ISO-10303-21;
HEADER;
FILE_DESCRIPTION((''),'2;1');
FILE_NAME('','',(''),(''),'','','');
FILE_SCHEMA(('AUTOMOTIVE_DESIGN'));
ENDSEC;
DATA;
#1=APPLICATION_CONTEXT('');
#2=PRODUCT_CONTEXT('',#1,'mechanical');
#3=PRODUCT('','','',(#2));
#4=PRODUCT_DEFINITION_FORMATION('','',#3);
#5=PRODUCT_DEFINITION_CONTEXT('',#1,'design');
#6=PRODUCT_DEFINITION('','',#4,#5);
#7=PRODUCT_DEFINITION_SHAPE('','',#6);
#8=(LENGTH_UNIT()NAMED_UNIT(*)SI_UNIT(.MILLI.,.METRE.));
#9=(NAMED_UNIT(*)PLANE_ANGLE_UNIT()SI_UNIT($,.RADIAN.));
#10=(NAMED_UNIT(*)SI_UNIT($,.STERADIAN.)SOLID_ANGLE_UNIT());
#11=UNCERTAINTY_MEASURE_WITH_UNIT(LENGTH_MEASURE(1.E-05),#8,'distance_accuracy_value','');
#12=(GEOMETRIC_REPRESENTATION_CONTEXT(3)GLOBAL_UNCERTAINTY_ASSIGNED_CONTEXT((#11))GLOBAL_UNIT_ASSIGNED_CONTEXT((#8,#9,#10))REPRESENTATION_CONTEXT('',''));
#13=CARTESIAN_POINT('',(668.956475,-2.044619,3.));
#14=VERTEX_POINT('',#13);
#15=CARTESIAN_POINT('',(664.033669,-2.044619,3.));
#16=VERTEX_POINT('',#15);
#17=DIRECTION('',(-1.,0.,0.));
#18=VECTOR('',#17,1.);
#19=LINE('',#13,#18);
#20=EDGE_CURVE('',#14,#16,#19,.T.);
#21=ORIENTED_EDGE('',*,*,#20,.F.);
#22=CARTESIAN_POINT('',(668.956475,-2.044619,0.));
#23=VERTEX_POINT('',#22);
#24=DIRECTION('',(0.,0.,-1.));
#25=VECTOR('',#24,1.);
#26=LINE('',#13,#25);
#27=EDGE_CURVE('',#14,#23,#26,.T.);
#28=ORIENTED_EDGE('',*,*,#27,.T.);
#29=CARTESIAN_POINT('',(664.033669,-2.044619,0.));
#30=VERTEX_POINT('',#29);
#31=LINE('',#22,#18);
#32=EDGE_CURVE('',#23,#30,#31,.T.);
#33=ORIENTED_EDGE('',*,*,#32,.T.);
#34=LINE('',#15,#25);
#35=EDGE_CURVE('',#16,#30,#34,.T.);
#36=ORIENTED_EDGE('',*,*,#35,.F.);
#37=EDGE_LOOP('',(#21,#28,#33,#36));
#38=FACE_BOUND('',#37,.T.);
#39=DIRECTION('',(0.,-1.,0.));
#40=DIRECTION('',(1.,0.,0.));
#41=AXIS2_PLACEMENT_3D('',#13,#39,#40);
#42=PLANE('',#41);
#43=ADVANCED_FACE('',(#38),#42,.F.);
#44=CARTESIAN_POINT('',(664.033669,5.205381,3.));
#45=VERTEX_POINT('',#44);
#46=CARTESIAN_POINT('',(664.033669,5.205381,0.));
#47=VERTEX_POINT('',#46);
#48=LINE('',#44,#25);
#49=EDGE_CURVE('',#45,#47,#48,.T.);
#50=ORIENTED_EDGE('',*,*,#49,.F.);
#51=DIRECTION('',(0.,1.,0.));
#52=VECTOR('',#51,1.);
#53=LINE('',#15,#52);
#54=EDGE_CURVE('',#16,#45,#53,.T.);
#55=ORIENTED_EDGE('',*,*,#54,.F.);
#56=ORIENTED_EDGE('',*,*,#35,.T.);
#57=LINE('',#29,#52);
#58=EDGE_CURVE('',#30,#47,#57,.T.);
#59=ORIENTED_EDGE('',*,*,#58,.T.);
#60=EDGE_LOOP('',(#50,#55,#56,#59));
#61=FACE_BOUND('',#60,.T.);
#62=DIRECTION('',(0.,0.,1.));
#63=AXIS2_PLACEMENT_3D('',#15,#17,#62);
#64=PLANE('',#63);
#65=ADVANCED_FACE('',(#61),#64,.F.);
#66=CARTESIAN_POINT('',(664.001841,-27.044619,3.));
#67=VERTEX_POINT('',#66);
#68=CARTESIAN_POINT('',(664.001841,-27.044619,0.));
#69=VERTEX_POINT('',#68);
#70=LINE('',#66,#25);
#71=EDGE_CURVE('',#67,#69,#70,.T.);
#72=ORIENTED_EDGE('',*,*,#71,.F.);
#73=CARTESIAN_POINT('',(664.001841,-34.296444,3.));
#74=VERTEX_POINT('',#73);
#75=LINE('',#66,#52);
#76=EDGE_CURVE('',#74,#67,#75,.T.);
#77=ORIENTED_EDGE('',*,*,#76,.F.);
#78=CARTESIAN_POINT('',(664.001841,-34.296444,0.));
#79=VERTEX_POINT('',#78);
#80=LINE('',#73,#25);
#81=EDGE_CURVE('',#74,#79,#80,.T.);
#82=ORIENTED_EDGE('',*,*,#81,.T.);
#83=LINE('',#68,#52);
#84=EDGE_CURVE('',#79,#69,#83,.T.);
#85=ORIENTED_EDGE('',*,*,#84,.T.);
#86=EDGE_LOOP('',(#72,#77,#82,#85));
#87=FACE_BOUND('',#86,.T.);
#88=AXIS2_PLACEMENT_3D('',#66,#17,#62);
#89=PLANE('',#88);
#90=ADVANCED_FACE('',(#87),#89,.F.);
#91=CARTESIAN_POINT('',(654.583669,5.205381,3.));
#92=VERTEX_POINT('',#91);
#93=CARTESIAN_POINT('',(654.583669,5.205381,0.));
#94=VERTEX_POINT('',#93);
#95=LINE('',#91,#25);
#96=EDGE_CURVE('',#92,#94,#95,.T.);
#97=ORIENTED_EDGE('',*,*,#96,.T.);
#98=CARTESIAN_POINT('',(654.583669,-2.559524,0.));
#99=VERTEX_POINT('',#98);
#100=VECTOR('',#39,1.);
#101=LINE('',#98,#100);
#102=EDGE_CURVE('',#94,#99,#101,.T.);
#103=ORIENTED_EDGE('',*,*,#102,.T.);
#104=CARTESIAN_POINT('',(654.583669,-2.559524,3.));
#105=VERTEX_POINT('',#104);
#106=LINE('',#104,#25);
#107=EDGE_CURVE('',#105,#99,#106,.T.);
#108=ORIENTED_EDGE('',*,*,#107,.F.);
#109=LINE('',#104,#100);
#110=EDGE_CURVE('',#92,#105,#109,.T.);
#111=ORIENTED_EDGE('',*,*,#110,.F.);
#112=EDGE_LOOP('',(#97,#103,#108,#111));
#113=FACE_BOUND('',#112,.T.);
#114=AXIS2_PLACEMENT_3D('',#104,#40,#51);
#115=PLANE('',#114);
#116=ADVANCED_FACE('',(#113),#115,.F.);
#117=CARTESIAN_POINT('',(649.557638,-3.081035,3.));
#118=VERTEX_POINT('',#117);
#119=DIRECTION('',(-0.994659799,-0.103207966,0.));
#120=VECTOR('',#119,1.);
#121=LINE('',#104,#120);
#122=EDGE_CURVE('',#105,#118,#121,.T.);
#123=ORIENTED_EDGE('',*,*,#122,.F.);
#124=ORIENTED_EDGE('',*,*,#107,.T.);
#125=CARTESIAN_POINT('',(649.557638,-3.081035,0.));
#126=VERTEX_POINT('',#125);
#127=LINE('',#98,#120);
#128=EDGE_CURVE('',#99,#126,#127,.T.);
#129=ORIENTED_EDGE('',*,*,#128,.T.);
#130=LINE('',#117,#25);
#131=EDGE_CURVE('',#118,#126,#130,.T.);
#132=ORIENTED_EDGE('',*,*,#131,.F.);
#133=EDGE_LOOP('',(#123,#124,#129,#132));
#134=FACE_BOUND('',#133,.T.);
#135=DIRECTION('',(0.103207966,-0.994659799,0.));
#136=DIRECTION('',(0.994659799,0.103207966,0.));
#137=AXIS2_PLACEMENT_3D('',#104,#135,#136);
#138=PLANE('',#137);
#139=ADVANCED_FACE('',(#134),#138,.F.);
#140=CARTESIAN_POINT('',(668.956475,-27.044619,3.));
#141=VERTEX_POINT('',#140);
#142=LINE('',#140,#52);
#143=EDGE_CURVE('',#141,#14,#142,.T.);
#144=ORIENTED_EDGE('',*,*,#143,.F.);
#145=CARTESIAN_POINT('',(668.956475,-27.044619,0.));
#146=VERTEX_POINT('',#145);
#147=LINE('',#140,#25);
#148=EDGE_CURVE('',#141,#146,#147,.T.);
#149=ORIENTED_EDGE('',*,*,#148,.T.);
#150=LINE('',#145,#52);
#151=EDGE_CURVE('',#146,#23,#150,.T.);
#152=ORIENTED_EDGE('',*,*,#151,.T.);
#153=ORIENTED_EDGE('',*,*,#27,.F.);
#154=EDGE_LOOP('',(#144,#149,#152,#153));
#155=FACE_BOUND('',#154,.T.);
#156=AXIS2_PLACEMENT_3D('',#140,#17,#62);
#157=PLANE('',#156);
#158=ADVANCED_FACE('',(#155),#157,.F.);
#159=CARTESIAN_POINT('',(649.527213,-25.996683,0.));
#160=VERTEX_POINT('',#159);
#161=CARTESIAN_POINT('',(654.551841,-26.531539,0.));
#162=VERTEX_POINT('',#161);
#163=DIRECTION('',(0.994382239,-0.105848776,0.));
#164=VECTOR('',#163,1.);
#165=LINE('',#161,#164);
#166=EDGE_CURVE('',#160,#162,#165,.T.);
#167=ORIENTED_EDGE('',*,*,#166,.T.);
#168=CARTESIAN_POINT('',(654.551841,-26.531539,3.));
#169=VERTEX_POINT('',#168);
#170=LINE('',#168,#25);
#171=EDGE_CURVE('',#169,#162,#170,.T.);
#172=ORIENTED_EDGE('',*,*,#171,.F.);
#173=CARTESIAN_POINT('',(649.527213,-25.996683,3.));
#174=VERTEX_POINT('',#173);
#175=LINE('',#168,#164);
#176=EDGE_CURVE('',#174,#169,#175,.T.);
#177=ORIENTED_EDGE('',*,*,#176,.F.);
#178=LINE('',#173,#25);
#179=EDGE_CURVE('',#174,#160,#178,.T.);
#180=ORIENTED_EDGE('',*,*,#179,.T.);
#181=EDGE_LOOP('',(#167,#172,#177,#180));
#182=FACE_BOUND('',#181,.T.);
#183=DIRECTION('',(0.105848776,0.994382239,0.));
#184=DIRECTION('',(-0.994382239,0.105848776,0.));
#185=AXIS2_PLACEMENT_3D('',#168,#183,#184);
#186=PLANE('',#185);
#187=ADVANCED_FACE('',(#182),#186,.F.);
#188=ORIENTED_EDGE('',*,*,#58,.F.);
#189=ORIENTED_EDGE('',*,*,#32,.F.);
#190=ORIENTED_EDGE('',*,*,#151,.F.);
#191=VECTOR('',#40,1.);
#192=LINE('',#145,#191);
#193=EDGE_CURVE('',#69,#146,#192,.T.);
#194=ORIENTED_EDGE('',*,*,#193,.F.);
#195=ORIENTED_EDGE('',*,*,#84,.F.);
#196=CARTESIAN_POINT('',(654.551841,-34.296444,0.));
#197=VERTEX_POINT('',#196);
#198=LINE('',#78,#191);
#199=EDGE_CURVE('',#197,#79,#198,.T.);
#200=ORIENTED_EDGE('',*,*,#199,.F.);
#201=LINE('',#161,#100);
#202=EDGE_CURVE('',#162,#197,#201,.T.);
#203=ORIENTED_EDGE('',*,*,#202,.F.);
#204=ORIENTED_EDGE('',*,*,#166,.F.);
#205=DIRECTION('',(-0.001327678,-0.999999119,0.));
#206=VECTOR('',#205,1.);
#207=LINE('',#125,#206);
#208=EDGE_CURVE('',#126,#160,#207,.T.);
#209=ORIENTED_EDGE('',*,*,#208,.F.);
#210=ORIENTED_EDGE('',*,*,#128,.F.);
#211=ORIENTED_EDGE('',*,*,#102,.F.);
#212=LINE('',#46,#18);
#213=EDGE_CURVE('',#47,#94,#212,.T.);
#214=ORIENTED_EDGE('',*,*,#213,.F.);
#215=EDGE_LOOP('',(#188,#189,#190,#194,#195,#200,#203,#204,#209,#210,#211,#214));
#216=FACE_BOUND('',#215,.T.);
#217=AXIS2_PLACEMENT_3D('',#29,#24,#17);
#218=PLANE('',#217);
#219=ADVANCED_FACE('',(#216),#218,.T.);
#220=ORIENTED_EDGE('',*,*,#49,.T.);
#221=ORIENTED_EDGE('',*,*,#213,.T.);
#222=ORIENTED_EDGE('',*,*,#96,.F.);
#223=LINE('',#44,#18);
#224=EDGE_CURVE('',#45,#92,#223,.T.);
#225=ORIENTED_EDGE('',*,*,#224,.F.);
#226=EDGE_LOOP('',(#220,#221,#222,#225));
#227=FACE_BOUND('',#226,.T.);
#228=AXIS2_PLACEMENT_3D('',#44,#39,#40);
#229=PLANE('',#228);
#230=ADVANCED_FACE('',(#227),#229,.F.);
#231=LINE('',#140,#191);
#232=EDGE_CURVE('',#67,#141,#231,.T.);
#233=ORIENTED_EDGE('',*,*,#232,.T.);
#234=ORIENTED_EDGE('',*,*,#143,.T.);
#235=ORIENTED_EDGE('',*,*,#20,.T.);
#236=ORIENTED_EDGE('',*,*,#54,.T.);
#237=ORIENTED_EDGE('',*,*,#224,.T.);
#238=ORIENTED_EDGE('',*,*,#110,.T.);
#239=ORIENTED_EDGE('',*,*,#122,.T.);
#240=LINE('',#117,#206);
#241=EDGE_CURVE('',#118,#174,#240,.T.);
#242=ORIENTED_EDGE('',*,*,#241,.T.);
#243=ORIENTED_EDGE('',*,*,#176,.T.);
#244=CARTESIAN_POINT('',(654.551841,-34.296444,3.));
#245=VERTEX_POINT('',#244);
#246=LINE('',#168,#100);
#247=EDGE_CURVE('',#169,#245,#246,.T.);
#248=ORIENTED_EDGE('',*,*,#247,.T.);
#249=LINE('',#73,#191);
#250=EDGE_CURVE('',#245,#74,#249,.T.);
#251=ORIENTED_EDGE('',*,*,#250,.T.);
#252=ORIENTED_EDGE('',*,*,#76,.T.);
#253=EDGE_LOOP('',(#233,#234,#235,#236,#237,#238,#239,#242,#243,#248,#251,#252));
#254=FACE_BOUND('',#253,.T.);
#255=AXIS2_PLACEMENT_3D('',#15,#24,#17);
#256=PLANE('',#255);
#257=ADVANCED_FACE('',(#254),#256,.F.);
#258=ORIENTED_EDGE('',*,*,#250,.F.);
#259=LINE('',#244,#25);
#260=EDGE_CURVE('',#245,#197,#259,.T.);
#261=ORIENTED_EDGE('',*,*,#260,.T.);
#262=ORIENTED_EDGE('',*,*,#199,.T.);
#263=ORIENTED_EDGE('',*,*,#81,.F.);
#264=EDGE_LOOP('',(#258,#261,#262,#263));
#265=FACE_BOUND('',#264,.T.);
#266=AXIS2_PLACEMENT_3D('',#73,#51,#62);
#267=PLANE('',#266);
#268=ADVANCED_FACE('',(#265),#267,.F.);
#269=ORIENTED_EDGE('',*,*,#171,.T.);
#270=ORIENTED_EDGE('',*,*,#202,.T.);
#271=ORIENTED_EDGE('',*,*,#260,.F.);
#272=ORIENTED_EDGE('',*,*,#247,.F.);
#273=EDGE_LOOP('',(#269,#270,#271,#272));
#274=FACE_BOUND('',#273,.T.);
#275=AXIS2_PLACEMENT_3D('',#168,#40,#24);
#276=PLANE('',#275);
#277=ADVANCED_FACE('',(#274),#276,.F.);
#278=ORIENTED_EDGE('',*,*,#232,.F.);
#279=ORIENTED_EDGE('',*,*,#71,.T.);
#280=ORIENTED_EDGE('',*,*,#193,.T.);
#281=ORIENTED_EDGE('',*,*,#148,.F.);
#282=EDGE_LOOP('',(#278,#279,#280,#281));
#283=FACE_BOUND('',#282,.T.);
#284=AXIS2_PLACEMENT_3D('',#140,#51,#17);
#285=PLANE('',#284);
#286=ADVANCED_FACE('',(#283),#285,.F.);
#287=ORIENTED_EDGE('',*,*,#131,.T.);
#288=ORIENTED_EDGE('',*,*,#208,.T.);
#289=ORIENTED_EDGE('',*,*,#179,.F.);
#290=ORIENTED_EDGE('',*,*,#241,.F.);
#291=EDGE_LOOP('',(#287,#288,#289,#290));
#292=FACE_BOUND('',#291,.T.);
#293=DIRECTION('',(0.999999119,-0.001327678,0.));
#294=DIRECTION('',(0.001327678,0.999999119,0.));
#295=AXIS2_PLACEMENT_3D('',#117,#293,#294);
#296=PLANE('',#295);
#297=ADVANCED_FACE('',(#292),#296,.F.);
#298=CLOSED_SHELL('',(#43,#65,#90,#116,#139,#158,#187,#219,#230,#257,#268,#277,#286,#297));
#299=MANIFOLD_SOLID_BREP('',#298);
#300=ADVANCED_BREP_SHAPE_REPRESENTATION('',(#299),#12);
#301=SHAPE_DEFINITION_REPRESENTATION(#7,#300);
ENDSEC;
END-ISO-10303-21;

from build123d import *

# Parameters (mm, degrees)
BASE_EXTRUDE_DEPTH = 3


with BuildPart() as part:
    # Sketch1 → Base-Extrude (new body)
    with BuildSketch(Plane.XY):
        Polygon((668.956474553, -27.044618623), (668.956474553, -2.044618623), (664.033668516, -2.044618623), (664.033668516, 5.205381377), (654.583668516, 5.205381377), (654.583668516, -2.559524043), (649.557637685, -3.081035439), (649.527213056, -25.996683443), (654.551841371, -26.53153889), (654.551841371, -34.29644431), (664.001841371, -34.29644431), (664.001841371, -27.044618623), align=None)
    extrude(amount=BASE_EXTRUDE_DEPTH)


solid = part.part
